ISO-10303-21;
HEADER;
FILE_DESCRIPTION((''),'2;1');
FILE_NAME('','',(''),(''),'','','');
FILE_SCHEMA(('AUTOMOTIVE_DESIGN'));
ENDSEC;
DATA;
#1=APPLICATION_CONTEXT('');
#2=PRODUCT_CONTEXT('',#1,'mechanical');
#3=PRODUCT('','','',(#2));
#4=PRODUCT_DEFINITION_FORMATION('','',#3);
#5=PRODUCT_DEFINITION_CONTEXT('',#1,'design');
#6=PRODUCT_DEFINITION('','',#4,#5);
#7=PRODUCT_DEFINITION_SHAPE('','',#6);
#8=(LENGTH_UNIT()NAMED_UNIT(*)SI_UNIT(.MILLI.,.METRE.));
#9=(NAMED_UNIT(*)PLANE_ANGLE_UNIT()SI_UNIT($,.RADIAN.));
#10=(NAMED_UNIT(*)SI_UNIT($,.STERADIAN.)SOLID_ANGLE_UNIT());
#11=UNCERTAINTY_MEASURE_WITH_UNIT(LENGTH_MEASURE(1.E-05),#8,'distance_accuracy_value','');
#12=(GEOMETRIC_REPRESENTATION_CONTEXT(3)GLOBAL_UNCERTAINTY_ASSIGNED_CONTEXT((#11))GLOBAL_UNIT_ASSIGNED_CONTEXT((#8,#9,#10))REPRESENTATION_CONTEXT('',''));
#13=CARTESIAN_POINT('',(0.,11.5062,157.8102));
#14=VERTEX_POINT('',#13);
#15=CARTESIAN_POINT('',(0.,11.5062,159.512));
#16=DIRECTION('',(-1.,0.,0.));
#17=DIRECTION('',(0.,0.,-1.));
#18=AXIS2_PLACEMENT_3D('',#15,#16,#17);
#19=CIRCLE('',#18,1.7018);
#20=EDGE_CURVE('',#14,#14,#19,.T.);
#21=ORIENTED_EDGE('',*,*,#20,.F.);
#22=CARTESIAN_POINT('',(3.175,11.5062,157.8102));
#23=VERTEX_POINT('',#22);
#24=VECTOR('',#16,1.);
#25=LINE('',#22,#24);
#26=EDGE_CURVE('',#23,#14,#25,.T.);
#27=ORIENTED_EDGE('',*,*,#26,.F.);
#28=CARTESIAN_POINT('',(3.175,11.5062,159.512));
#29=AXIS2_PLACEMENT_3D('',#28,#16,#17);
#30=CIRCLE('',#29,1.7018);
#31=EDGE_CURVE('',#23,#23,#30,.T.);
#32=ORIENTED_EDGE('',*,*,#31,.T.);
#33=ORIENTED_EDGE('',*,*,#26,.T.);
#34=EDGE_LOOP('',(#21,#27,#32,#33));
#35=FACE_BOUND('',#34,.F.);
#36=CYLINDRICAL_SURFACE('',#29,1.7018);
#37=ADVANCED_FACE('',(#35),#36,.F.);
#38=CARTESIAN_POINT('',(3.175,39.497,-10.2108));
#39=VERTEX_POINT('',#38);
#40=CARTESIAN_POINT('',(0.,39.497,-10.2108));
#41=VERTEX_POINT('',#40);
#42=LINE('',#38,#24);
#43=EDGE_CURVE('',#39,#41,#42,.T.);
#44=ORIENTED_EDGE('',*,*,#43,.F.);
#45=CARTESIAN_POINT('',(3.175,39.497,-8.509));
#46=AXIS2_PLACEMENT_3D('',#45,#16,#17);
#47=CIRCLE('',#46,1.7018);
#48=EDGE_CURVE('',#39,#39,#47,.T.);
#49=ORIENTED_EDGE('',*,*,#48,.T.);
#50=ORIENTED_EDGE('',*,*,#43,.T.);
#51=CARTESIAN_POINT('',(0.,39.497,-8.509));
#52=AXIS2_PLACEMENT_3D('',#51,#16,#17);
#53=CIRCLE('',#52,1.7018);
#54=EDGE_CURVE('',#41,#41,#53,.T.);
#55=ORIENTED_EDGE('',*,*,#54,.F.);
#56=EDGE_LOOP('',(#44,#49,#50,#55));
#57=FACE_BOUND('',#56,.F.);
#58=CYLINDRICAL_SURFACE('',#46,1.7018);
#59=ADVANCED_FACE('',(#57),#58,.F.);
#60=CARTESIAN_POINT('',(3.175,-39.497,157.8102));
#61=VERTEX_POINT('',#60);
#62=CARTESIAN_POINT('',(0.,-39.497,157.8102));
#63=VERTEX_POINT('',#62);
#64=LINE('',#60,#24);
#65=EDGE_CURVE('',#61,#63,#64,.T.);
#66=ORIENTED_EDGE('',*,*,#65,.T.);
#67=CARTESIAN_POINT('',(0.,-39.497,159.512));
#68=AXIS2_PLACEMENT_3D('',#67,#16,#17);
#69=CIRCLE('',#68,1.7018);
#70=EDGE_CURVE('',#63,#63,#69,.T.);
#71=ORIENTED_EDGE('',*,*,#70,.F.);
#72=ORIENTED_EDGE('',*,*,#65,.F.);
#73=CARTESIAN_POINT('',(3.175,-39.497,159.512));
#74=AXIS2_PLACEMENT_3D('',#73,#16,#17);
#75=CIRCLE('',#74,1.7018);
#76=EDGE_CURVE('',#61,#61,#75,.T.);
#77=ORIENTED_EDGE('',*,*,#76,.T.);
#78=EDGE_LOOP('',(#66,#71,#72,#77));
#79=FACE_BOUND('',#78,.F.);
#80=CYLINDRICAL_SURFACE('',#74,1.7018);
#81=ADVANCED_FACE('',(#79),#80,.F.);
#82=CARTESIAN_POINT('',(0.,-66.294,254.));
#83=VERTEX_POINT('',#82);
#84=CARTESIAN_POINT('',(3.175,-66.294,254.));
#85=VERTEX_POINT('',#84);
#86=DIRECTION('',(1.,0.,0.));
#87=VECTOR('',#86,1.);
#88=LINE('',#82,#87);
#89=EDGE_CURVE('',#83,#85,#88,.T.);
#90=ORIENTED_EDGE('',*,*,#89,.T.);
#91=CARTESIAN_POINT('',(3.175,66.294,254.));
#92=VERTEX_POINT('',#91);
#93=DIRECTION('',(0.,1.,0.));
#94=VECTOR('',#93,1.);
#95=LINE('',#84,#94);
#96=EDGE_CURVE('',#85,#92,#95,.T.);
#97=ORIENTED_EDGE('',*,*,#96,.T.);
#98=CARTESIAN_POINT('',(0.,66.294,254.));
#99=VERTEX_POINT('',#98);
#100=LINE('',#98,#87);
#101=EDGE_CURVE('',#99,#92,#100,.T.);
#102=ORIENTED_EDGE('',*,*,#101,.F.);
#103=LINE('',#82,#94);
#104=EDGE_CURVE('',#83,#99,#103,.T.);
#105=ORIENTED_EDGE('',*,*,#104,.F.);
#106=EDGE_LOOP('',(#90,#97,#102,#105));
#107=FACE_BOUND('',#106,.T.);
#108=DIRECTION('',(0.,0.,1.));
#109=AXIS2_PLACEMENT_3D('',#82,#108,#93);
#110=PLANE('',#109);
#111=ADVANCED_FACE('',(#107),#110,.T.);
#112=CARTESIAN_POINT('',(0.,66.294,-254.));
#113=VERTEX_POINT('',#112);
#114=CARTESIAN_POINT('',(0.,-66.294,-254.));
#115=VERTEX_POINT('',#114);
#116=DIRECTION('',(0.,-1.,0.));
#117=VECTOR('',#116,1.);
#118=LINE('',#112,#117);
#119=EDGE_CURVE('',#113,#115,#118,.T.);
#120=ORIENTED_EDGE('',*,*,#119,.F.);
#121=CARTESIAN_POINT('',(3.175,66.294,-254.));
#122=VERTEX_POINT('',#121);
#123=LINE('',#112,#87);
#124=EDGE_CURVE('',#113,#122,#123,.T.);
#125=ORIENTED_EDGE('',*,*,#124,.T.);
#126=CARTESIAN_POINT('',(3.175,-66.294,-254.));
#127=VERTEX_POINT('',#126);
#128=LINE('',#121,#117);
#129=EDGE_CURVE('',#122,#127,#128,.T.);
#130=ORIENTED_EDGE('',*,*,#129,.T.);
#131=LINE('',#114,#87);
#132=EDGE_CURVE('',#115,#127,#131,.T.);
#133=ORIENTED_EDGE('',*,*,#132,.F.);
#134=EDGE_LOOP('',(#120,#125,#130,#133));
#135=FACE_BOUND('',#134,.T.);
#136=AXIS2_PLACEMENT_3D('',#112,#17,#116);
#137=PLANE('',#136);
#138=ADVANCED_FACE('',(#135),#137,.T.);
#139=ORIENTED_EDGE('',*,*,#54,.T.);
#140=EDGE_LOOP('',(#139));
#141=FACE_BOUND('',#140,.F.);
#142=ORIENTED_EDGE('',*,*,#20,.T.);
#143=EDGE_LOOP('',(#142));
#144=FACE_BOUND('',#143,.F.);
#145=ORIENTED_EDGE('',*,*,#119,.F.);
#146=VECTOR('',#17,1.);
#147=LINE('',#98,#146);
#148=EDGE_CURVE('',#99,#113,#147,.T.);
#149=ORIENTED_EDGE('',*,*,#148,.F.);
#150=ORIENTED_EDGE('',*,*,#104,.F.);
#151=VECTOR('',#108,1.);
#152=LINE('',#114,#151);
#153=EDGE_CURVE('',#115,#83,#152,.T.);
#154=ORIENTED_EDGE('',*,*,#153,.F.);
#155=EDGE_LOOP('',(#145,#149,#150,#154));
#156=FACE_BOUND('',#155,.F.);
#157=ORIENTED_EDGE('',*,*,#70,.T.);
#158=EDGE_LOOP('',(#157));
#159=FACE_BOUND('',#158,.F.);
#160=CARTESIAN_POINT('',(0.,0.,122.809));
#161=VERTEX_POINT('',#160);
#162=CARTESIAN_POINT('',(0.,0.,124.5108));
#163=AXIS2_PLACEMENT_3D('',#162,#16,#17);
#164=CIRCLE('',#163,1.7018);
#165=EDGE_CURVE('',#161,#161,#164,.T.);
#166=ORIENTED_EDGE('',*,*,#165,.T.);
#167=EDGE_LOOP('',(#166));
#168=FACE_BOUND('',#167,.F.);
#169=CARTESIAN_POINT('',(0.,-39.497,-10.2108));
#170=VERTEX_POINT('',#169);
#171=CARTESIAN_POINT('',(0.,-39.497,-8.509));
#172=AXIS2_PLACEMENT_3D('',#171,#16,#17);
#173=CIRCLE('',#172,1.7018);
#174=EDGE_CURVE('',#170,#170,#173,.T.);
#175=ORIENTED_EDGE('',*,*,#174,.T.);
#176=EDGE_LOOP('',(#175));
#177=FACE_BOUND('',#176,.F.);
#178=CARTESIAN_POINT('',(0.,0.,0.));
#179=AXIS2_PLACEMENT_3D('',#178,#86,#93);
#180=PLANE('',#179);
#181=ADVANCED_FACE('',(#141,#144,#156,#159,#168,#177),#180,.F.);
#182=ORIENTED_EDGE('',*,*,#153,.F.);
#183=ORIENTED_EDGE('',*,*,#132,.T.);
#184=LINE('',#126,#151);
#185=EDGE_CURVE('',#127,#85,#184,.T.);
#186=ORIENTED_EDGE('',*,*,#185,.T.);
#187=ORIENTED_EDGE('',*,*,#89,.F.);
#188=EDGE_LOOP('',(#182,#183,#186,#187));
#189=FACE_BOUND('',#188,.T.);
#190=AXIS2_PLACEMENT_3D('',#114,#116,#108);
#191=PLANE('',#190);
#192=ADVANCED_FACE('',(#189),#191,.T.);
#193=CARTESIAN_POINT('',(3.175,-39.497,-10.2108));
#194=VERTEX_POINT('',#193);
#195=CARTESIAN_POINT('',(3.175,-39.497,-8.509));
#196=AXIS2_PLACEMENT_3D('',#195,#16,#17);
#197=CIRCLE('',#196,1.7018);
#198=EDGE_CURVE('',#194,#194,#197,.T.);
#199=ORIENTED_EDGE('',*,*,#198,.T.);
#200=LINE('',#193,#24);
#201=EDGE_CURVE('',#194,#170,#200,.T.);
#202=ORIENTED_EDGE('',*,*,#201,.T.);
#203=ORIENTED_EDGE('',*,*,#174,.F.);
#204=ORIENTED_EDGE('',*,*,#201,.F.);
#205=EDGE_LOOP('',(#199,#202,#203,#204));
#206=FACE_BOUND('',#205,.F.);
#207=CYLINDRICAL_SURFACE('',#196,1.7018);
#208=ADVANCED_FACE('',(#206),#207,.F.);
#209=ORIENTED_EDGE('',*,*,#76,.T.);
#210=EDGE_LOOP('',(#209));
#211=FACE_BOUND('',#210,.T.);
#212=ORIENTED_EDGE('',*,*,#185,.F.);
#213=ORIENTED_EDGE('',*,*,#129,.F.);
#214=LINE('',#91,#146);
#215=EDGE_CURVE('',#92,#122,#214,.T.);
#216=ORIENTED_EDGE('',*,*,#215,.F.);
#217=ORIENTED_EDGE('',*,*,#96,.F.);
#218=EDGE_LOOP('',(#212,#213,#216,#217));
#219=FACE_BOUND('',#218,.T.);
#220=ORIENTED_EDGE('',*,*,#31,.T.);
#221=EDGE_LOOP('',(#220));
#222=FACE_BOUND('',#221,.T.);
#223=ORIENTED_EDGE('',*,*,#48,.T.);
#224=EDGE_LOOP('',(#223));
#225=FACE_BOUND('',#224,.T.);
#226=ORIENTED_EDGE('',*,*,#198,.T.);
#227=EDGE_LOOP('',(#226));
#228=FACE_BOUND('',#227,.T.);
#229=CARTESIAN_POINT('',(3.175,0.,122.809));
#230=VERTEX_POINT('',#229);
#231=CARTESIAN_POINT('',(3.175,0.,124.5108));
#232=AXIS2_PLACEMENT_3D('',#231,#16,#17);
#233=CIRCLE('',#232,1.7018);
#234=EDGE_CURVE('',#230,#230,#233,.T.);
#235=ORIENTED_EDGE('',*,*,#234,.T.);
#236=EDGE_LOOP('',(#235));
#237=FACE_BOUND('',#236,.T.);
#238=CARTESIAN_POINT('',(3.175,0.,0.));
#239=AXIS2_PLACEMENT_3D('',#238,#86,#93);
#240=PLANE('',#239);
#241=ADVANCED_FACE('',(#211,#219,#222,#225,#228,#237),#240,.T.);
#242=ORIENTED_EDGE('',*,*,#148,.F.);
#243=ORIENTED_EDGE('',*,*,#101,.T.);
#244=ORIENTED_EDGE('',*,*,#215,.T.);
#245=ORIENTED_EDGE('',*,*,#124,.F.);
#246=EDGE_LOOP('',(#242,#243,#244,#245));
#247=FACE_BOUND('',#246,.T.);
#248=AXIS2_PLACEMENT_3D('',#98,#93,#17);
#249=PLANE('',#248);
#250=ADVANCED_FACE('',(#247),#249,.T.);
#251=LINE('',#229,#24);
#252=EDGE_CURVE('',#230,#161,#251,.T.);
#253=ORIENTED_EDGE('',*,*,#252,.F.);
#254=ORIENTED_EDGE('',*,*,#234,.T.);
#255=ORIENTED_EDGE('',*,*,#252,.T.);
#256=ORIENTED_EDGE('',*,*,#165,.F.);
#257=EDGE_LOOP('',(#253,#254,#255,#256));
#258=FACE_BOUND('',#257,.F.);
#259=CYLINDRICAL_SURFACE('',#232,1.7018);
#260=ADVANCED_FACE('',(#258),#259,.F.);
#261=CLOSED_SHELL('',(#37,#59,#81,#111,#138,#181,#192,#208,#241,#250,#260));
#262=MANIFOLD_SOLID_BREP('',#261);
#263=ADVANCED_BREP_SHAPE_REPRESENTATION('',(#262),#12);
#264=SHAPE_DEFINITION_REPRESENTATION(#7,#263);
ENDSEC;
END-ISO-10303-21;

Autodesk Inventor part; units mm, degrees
ref_plane "YZ Plane" through (0, 0, 0) normal (1, 0, 0) x (0, 1, 0)
ref_plane "XZ Plane" through (0, 0, 0) normal (0, 1, 0) x (-1, 0, 0)
ref_plane "XY Plane" through (0, 0, 0) normal (0, 0, 1) x (1, 0, 0)
sketch "Sketch1" plane through (0, 0, 0) normal (1, 0, 0) x (0, 1, 0)
  line L0 (-66.294, 254) -> (66.294, 254)
  line L1 (66.294, 254) -> (66.294, -254)
  line L2 (66.294, -254) -> (-66.294, -254)
  line L3 (-66.294, -254) -> (-66.294, 254)
  line L4 (-66.294, 254) -> (66.294, -254) construction
  line L5 (66.294, 254) -> (-66.294, -254) construction
  point P0 (0, 0)
  dimension "d0" = 508
  dimension "d1" = 132.588
extrude "pdu nmt right side panel" add sketch "Sketch1" along normal blind 3.175
sketch "snap psu" plane through (0, 0, 0) normal (-1, 0, 0) x (0, 0, 1)
  line L0 (-21.209, -49.5046) -> (-21.209, 49.5046) construction
  line L1 (-21.209, 49.5046) -> (190.5, 49.5046) construction
  line L2 (190.5, 49.5046) -> (190.5, -49.5046) construction
  line L3 (190.5, -49.5046) -> (-21.209, -49.5046) construction
  line L4 (179.5018, -49.5046) -> (179.5018, 49.5046) construction
  line L5 (-254, 66.294) -> (254, 66.294) projected
  line L6 (254, -66.294) -> (254, 66.294) projected
  line L7 (159.512, 11.5062) -> (159.512, -19.2811) construction
  line L8 (-8.509, 39.497) -> (-8.509, -39.497) construction
  line L9 (124.5108, 0) -> (186.1095, 0) construction
  point P0 (0, 0)
  point P1 (159.512, -39.497)
  dimension "d19" = 10.0076
  dimension "d20" = 30.988
  dimension "d21" = 99.0092
  dimension "d22" = 12.7
  dimension "d23" = 10.9982
  dimension "d24" = 16.7894
  dimension "d25" = 63.5
  dimension "d33" = 10.0076
  dimension "d34" = 89.0016
  dimension "d35" = 30.988
  dimension "d36" = 61.0108
  dimension "d37" = 65.9892
  dimension "d38" = 49.5046
  dimension "d39" = 199.009
  dimension "d40" = 199.009
sketch "Sketch5" plane through (3.175, 0, 0) normal (1, 0, 0) x (0, 0, -1)
  point P0 (0, 0)
  point P1 (8.509, 39.497)
  point P2 (8.509, -39.497)
  point P3 (-124.5108, 0)
  point P4 (-159.512, 11.5062)
  point P5 (-159.512, -39.497)
hole "snap psu holes" at (3.175, 11.5062, 159.512) at (3.175, -39.497, 159.512) at (3.175, 0, 124.5108) at (3.175, 39.497, -8.509) at (3.175, -39.497, -8.509) direction (-1, 0, 0) diameter 3.4036 end through all clearance for "Countersunk Flat Head Screw ISO 2009/7046" size "M3" standard "ISO"
properties part number "nmt_sidepanel_20in"
